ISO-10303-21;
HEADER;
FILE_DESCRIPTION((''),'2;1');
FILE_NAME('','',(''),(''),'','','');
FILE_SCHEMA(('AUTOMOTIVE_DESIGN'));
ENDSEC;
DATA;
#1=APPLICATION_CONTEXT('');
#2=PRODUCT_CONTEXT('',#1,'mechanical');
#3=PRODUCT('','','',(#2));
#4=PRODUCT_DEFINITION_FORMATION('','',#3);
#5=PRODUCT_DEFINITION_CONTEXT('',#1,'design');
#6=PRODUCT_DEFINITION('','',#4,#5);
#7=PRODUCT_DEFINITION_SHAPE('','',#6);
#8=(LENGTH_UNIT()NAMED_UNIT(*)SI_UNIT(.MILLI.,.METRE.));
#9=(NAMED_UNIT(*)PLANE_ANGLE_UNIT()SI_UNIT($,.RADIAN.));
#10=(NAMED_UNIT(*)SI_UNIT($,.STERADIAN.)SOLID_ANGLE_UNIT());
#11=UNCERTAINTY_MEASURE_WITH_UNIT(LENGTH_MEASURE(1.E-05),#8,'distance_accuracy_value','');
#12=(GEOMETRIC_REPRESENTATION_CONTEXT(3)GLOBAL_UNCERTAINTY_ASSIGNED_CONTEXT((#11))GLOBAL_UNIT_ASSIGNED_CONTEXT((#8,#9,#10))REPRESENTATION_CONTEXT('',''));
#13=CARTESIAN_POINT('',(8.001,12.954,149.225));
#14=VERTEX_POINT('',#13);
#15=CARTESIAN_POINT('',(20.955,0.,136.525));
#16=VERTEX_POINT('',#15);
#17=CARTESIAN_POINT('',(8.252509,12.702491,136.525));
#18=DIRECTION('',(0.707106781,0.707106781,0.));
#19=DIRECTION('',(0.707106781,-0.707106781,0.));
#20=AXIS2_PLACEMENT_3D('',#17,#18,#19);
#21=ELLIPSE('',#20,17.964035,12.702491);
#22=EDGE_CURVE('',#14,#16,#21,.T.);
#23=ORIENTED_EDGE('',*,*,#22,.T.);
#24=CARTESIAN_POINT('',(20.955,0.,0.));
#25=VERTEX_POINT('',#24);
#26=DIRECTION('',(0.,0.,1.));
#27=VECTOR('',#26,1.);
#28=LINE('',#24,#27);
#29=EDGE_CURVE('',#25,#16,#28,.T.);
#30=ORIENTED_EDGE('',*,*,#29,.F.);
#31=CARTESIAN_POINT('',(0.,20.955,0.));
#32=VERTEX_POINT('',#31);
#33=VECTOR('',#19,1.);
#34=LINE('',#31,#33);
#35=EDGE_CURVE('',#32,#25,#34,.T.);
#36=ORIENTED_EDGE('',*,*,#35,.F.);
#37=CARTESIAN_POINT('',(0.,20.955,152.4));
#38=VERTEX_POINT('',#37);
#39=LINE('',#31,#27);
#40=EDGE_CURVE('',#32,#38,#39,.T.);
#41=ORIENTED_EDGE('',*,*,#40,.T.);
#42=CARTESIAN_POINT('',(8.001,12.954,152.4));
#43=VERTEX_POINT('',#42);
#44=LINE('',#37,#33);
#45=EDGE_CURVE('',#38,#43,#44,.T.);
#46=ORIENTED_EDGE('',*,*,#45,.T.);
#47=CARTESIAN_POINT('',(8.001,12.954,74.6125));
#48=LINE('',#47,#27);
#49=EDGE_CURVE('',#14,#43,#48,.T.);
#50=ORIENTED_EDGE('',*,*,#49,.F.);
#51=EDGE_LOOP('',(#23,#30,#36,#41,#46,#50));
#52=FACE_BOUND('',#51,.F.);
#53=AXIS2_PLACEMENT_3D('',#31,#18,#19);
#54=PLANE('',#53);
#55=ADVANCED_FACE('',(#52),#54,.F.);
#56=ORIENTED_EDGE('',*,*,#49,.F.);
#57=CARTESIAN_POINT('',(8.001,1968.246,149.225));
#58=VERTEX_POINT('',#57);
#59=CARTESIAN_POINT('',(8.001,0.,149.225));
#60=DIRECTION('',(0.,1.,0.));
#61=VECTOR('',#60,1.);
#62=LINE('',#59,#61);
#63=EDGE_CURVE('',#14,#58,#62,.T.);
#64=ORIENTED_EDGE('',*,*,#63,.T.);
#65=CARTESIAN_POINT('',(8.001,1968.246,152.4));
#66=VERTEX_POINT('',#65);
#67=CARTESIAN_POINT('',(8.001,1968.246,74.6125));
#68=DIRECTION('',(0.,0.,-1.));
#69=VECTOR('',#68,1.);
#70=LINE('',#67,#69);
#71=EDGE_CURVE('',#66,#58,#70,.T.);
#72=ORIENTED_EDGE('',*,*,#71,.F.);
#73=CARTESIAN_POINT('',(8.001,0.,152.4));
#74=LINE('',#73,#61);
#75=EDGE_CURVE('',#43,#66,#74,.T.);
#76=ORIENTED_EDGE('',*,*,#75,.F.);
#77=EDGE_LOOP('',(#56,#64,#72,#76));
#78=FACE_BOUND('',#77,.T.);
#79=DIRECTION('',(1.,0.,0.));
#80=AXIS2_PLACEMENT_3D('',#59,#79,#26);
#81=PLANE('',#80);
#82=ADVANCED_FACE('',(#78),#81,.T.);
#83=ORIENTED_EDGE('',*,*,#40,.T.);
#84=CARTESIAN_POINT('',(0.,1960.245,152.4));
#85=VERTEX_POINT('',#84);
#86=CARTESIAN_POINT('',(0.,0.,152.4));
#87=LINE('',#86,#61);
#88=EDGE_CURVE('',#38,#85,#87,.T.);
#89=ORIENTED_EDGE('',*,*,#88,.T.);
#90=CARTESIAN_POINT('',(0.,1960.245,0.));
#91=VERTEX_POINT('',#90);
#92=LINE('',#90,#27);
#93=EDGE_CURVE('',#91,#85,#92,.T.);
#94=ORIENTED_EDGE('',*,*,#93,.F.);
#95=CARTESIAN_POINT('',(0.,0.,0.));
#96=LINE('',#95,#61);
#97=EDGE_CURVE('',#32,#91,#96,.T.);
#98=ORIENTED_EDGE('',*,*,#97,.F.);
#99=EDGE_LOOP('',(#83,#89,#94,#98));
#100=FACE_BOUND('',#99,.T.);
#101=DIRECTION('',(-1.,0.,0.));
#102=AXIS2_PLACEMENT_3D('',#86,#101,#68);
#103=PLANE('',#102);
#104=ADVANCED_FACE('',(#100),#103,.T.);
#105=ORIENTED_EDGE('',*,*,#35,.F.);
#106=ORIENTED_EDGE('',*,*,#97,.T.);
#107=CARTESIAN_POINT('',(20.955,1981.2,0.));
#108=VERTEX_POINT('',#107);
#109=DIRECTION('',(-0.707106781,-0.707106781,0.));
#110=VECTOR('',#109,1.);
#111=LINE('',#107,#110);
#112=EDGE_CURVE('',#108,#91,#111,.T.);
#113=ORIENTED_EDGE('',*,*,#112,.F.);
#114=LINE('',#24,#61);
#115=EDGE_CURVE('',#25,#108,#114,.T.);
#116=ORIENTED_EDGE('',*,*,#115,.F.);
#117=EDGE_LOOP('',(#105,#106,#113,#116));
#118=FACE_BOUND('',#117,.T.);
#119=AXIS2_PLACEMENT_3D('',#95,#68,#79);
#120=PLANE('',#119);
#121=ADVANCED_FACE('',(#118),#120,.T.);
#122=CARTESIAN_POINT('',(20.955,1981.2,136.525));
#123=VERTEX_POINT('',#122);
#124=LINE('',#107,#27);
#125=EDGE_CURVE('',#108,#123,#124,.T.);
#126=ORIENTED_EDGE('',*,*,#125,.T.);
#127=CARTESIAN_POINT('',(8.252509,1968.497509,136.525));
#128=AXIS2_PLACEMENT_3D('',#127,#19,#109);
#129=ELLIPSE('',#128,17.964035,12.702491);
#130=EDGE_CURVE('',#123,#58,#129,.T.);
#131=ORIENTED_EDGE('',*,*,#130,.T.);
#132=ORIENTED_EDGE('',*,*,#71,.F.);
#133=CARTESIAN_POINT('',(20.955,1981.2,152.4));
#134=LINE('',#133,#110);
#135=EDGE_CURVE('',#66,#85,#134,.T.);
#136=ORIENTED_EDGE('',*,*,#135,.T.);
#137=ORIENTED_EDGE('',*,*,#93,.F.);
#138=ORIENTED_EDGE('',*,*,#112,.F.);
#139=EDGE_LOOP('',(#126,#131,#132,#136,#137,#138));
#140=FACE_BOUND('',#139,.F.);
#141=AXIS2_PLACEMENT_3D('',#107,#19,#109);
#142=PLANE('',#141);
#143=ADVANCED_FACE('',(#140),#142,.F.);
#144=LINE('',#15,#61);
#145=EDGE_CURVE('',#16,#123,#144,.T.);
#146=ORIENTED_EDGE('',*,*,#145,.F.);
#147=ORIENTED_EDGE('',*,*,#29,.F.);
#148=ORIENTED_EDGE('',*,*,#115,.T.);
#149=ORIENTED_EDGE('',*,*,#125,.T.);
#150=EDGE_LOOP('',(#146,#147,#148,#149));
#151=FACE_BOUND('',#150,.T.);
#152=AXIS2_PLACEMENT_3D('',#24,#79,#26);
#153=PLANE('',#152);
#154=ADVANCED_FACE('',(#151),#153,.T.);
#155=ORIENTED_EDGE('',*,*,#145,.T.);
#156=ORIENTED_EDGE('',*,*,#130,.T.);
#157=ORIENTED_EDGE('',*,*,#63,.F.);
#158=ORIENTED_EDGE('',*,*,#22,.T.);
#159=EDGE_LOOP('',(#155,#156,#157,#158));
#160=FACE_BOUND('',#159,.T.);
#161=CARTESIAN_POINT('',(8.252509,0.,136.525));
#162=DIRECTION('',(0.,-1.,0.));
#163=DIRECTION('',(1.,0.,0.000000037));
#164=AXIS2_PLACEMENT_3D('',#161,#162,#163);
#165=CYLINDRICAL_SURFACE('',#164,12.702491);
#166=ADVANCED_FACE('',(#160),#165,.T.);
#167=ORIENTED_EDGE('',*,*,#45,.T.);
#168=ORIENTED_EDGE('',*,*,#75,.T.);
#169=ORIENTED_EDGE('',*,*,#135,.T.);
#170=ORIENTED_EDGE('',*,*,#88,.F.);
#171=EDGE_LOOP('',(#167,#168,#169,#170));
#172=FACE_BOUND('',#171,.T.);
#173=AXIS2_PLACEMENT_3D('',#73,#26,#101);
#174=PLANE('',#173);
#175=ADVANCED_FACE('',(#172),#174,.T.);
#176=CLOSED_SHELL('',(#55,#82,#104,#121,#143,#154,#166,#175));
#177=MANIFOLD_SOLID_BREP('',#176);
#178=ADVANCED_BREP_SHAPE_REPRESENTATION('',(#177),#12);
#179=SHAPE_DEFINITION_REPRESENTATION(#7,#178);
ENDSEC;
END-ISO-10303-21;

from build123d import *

# Parameters (mm, degrees)
F1_DEPTH = 1981.2
F3_DEPTH = 152.4
F5_DEPTH = 152.4


with BuildPart() as f1:
    # F0 (on Front) → F1 (new body)
    with BuildSketch(Plane.XZ):
        with BuildLine():
            Line((0, 152.4), (0, 0))
            Line((0, 0), (20.955, 0))
            Line((20.955, 0), (20.955, 136.525))
            ThreePointArc((20.955, 136.525), (17.14516, 145.595503), (8.001, 149.225))
            Line((8.001, 149.225), (8.001, 152.4))
            Line((8.001, 152.4), (0, 152.4))
        make_face()
    extrude(amount=-F1_DEPTH)

    # F2 (on face) → F3 (cut)
    with BuildSketch(Plane(origin=(0, 0, 0), x_dir=(1, 0, 0), z_dir=(0, 0, -1))):
        Polygon((0, -20.955), (20.955, 0), (0, 0), align=None)
    extrude(amount=-F3_DEPTH, mode=Mode.SUBTRACT)

    # F4 (on face) → F5 (cut)
    with BuildSketch(Plane(origin=(0, 0, 0), x_dir=(1, 0, 0), z_dir=(0, 0, -1))):
        Polygon((0, -1981.2), (20.955, -1981.2), (0, -1960.245), align=None)
    extrude(amount=-F5_DEPTH, mode=Mode.SUBTRACT)


solid = f1.part
